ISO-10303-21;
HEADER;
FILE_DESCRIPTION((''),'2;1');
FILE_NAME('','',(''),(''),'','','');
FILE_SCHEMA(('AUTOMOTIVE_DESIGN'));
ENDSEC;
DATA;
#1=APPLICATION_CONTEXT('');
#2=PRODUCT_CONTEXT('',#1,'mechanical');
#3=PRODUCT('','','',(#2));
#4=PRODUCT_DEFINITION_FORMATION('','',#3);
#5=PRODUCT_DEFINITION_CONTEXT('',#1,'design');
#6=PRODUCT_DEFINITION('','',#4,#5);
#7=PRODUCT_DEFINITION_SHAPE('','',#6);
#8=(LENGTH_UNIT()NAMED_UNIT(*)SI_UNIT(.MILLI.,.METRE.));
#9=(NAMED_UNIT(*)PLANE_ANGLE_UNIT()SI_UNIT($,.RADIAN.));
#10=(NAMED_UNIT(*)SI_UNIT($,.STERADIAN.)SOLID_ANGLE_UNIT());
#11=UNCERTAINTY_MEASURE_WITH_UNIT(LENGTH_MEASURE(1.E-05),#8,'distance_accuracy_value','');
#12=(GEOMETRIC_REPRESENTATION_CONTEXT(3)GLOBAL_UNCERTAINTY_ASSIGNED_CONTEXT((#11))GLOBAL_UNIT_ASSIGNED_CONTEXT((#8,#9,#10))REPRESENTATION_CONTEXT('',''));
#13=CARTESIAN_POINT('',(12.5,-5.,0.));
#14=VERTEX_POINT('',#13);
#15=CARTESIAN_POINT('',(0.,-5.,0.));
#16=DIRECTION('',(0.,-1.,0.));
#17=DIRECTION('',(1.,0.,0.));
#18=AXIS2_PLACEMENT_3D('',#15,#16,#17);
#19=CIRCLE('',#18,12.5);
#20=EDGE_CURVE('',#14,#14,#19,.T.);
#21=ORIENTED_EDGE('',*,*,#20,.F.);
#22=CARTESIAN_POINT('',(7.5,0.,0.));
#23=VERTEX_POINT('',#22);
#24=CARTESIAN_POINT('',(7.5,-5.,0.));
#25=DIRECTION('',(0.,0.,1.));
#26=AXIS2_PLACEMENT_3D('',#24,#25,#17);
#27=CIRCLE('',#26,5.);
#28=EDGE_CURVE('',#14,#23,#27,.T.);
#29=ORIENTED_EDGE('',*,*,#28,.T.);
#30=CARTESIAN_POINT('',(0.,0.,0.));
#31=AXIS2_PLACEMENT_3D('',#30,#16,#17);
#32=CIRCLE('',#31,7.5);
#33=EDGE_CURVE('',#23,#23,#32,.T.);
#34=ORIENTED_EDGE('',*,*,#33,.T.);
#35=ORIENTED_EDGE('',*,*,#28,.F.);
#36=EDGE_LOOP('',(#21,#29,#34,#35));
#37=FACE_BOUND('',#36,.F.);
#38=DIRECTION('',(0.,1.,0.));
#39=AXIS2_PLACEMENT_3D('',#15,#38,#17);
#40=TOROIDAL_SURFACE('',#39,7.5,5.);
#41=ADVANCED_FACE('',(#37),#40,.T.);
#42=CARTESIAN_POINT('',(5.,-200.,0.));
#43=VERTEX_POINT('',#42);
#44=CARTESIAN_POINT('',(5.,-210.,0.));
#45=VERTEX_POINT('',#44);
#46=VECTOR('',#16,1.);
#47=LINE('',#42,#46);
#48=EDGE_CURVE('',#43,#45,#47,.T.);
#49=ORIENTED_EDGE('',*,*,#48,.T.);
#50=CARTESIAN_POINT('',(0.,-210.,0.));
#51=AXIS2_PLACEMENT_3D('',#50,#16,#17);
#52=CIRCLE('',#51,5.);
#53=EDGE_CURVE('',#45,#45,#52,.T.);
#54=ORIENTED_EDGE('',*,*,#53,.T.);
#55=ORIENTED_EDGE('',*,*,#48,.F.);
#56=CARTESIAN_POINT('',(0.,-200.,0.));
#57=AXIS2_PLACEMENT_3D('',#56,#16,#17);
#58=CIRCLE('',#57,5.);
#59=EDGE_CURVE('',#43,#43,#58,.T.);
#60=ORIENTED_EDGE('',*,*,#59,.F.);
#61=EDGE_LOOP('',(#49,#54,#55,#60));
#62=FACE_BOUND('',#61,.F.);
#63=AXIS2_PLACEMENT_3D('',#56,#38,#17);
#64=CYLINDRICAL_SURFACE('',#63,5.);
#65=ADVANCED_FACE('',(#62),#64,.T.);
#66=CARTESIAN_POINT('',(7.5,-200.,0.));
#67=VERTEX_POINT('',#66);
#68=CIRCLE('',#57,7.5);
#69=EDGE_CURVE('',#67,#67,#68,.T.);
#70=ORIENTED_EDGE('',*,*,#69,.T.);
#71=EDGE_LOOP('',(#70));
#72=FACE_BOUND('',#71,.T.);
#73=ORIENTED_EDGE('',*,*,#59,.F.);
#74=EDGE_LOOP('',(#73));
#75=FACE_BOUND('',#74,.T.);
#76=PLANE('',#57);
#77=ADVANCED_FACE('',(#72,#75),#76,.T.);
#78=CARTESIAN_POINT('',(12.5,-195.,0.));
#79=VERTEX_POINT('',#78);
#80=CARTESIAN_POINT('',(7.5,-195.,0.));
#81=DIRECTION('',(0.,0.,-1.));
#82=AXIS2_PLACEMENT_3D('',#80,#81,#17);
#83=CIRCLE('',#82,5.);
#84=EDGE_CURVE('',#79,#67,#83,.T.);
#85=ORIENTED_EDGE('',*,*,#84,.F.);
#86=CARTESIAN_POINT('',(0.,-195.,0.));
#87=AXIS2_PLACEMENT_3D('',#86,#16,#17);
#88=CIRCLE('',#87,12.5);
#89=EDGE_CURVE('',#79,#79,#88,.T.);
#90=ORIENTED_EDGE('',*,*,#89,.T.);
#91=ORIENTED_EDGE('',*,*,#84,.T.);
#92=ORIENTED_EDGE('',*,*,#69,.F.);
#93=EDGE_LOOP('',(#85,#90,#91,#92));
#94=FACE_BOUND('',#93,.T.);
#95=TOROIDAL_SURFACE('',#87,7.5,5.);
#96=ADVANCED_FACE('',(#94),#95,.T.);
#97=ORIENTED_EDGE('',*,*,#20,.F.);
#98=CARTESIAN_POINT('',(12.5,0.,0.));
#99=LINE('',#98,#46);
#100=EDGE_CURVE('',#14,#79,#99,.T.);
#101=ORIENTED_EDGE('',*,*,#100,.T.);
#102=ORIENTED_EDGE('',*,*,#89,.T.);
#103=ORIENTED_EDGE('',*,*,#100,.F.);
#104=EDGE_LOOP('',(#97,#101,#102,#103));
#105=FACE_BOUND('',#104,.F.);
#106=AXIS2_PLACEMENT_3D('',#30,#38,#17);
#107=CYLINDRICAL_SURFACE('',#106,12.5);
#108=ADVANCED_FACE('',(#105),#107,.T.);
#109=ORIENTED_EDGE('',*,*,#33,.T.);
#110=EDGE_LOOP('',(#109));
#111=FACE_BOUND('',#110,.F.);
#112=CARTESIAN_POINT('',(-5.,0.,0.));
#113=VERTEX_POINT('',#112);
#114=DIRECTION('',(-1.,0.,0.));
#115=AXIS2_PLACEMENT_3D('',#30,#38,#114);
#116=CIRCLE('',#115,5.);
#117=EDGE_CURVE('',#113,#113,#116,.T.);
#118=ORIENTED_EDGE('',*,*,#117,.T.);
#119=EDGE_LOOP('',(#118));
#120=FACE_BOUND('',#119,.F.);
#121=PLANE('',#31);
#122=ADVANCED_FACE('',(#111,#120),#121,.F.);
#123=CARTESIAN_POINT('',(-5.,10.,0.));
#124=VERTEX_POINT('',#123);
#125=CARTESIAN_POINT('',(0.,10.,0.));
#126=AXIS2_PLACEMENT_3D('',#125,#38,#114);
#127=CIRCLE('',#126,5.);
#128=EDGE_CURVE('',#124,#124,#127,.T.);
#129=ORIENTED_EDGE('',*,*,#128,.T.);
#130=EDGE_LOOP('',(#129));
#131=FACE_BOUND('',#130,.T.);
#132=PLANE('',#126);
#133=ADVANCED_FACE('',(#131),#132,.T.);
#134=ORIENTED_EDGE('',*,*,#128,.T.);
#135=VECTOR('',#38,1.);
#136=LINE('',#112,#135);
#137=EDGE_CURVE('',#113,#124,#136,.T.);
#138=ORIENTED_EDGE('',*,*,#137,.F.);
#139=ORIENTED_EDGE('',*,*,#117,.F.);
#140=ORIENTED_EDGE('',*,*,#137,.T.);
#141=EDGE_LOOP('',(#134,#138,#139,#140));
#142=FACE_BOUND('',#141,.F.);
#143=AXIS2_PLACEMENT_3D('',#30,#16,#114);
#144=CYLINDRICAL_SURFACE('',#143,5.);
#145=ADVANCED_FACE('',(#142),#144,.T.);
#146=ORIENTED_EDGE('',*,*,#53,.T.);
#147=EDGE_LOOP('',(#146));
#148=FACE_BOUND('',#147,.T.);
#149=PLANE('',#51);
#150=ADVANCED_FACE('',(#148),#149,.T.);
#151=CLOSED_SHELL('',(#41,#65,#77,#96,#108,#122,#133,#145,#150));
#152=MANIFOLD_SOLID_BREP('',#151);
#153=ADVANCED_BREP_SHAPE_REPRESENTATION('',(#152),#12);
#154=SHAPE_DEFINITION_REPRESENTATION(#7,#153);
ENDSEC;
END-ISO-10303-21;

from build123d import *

# Parameters (mm, degrees)
F0_R     = 12.5
F1_DEPTH = 200
F2_R     = 5
F3_DEPTH = 10
F4_R     = 5
F5_DEPTH = 10
F6_R     = 5
F7_R     = 5


with BuildPart() as f1:
    # F0 (on Front) → F1 (new body)
    with BuildSketch(Plane.XZ):
        Circle(F0_R)
    extrude(amount=F1_DEPTH)

    # F2 (on face) → F3 (join)
    with BuildSketch(Plane.XZ.offset(200)):
        Circle(F2_R)
    extrude(amount=F3_DEPTH)

    # F4 (on face) → F5 (join)
    with BuildSketch(Plane(origin=(0, 0, 0), x_dir=(-1, 0, 0), z_dir=(0, 1, 0))):
        Circle(F4_R)
    extrude(amount=F5_DEPTH)

    # F6
    f6_edges = [f1.edges().sort_by_distance(p)[0] for p in [
        (-12.5, -200, 0),
    ]]
    fillet(f6_edges, radius=F6_R)

    # F7
    f7_edges = [f1.edges().sort_by_distance(p)[0] for p in [
        (-12.5, 0, 0),
        (11.035534, -198.535534, 0),
        (-12.5, -195, 0),
        (-7.5, -200, 0),
    ]]
    fillet(f7_edges, radius=F7_R)


solid = f1.part
